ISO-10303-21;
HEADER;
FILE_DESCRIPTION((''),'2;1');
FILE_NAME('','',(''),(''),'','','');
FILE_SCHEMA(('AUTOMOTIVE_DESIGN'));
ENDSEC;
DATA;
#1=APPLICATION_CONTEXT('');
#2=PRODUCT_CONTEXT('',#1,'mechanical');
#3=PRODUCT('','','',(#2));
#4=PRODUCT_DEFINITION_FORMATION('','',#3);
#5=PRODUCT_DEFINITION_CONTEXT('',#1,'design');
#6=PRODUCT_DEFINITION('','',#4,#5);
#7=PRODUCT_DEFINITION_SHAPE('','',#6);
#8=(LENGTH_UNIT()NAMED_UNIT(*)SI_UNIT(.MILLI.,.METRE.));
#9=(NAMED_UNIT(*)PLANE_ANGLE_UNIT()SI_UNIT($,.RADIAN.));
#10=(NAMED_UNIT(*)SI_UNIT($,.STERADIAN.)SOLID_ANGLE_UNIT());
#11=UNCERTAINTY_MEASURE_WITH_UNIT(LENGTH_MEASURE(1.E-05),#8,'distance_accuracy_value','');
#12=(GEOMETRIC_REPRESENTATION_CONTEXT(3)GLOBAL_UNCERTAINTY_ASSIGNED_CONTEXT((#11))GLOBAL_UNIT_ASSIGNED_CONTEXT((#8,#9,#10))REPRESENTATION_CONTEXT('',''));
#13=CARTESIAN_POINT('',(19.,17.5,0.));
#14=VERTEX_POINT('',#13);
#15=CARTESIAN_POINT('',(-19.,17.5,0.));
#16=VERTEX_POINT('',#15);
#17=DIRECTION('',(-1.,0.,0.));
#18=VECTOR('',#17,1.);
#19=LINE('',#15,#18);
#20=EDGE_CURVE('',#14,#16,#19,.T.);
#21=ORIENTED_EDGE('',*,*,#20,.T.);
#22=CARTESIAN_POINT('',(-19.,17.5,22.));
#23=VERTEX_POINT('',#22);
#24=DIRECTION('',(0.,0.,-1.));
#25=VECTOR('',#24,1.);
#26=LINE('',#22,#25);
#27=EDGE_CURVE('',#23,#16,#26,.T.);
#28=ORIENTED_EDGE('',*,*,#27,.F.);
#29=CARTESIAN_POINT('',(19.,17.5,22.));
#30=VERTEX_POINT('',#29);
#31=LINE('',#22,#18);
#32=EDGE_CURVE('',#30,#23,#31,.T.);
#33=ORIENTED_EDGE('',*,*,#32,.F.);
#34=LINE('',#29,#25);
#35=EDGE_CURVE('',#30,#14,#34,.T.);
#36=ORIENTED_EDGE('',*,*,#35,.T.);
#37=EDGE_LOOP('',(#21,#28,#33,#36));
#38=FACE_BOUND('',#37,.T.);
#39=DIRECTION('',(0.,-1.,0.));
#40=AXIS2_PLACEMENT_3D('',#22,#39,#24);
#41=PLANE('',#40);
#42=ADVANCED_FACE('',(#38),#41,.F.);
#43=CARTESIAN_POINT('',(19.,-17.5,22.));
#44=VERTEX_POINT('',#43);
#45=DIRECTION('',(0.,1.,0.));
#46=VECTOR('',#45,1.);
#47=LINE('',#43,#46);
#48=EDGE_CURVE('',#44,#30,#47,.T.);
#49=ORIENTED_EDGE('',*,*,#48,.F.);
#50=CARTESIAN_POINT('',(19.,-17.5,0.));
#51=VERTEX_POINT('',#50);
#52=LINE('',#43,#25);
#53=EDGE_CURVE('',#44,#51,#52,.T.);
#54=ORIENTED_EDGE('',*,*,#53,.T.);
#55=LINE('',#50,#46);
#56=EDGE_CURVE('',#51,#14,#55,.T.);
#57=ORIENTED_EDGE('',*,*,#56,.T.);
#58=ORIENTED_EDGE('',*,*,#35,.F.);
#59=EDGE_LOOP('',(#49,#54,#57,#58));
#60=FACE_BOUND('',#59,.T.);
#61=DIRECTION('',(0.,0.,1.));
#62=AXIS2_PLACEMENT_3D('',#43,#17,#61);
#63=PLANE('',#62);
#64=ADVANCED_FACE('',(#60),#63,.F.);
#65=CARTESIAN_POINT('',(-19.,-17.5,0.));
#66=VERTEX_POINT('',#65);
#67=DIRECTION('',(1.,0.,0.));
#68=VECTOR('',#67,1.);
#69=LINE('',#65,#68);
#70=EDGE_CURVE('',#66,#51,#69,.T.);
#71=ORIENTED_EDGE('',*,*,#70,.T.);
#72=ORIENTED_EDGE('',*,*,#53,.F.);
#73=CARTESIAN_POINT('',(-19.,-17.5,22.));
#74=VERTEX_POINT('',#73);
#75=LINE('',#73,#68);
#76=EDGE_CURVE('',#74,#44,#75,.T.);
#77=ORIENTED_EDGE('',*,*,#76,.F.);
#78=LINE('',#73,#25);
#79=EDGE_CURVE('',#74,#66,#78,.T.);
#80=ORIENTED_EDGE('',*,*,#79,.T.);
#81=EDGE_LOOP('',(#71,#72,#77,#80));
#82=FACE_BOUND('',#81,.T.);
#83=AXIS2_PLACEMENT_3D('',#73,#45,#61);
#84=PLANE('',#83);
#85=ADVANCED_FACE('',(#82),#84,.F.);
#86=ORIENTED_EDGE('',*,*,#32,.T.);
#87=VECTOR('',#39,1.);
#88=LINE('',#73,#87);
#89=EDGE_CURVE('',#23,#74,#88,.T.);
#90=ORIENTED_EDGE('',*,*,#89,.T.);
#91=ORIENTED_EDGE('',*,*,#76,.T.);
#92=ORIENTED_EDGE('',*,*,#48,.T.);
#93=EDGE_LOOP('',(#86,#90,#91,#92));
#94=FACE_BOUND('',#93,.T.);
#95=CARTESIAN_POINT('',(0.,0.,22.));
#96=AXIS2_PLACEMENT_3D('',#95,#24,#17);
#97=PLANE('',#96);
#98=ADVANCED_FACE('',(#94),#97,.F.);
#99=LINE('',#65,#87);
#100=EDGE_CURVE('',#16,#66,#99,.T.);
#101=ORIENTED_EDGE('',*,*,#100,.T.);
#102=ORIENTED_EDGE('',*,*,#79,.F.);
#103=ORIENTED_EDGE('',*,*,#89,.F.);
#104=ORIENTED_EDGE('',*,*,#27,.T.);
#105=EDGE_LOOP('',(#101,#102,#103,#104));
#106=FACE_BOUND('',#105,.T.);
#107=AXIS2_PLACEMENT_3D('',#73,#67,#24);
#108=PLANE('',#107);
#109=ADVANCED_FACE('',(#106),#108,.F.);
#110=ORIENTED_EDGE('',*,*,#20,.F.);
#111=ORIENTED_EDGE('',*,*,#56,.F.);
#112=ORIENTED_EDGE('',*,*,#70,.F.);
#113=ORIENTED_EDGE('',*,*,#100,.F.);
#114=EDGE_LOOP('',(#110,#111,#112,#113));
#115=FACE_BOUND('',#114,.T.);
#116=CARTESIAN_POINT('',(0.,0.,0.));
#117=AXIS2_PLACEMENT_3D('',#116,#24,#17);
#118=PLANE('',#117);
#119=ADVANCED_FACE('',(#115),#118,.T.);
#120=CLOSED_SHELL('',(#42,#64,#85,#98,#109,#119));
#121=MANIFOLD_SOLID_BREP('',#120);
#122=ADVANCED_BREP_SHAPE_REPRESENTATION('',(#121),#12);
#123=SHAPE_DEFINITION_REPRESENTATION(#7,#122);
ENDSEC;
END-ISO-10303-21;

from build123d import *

# Parameters (mm, degrees)
SKETCH_1_W      = 38
SKETCH_1_H      = 35
EXTRUDE_1_DEPTH = 22


with BuildPart() as part:
    # 草图1 → 凸台-拉伸1 (new body)
    with BuildSketch(Plane.XY):
        Rectangle(SKETCH_1_W, SKETCH_1_H)
    extrude(amount=EXTRUDE_1_DEPTH)


solid = part.part
